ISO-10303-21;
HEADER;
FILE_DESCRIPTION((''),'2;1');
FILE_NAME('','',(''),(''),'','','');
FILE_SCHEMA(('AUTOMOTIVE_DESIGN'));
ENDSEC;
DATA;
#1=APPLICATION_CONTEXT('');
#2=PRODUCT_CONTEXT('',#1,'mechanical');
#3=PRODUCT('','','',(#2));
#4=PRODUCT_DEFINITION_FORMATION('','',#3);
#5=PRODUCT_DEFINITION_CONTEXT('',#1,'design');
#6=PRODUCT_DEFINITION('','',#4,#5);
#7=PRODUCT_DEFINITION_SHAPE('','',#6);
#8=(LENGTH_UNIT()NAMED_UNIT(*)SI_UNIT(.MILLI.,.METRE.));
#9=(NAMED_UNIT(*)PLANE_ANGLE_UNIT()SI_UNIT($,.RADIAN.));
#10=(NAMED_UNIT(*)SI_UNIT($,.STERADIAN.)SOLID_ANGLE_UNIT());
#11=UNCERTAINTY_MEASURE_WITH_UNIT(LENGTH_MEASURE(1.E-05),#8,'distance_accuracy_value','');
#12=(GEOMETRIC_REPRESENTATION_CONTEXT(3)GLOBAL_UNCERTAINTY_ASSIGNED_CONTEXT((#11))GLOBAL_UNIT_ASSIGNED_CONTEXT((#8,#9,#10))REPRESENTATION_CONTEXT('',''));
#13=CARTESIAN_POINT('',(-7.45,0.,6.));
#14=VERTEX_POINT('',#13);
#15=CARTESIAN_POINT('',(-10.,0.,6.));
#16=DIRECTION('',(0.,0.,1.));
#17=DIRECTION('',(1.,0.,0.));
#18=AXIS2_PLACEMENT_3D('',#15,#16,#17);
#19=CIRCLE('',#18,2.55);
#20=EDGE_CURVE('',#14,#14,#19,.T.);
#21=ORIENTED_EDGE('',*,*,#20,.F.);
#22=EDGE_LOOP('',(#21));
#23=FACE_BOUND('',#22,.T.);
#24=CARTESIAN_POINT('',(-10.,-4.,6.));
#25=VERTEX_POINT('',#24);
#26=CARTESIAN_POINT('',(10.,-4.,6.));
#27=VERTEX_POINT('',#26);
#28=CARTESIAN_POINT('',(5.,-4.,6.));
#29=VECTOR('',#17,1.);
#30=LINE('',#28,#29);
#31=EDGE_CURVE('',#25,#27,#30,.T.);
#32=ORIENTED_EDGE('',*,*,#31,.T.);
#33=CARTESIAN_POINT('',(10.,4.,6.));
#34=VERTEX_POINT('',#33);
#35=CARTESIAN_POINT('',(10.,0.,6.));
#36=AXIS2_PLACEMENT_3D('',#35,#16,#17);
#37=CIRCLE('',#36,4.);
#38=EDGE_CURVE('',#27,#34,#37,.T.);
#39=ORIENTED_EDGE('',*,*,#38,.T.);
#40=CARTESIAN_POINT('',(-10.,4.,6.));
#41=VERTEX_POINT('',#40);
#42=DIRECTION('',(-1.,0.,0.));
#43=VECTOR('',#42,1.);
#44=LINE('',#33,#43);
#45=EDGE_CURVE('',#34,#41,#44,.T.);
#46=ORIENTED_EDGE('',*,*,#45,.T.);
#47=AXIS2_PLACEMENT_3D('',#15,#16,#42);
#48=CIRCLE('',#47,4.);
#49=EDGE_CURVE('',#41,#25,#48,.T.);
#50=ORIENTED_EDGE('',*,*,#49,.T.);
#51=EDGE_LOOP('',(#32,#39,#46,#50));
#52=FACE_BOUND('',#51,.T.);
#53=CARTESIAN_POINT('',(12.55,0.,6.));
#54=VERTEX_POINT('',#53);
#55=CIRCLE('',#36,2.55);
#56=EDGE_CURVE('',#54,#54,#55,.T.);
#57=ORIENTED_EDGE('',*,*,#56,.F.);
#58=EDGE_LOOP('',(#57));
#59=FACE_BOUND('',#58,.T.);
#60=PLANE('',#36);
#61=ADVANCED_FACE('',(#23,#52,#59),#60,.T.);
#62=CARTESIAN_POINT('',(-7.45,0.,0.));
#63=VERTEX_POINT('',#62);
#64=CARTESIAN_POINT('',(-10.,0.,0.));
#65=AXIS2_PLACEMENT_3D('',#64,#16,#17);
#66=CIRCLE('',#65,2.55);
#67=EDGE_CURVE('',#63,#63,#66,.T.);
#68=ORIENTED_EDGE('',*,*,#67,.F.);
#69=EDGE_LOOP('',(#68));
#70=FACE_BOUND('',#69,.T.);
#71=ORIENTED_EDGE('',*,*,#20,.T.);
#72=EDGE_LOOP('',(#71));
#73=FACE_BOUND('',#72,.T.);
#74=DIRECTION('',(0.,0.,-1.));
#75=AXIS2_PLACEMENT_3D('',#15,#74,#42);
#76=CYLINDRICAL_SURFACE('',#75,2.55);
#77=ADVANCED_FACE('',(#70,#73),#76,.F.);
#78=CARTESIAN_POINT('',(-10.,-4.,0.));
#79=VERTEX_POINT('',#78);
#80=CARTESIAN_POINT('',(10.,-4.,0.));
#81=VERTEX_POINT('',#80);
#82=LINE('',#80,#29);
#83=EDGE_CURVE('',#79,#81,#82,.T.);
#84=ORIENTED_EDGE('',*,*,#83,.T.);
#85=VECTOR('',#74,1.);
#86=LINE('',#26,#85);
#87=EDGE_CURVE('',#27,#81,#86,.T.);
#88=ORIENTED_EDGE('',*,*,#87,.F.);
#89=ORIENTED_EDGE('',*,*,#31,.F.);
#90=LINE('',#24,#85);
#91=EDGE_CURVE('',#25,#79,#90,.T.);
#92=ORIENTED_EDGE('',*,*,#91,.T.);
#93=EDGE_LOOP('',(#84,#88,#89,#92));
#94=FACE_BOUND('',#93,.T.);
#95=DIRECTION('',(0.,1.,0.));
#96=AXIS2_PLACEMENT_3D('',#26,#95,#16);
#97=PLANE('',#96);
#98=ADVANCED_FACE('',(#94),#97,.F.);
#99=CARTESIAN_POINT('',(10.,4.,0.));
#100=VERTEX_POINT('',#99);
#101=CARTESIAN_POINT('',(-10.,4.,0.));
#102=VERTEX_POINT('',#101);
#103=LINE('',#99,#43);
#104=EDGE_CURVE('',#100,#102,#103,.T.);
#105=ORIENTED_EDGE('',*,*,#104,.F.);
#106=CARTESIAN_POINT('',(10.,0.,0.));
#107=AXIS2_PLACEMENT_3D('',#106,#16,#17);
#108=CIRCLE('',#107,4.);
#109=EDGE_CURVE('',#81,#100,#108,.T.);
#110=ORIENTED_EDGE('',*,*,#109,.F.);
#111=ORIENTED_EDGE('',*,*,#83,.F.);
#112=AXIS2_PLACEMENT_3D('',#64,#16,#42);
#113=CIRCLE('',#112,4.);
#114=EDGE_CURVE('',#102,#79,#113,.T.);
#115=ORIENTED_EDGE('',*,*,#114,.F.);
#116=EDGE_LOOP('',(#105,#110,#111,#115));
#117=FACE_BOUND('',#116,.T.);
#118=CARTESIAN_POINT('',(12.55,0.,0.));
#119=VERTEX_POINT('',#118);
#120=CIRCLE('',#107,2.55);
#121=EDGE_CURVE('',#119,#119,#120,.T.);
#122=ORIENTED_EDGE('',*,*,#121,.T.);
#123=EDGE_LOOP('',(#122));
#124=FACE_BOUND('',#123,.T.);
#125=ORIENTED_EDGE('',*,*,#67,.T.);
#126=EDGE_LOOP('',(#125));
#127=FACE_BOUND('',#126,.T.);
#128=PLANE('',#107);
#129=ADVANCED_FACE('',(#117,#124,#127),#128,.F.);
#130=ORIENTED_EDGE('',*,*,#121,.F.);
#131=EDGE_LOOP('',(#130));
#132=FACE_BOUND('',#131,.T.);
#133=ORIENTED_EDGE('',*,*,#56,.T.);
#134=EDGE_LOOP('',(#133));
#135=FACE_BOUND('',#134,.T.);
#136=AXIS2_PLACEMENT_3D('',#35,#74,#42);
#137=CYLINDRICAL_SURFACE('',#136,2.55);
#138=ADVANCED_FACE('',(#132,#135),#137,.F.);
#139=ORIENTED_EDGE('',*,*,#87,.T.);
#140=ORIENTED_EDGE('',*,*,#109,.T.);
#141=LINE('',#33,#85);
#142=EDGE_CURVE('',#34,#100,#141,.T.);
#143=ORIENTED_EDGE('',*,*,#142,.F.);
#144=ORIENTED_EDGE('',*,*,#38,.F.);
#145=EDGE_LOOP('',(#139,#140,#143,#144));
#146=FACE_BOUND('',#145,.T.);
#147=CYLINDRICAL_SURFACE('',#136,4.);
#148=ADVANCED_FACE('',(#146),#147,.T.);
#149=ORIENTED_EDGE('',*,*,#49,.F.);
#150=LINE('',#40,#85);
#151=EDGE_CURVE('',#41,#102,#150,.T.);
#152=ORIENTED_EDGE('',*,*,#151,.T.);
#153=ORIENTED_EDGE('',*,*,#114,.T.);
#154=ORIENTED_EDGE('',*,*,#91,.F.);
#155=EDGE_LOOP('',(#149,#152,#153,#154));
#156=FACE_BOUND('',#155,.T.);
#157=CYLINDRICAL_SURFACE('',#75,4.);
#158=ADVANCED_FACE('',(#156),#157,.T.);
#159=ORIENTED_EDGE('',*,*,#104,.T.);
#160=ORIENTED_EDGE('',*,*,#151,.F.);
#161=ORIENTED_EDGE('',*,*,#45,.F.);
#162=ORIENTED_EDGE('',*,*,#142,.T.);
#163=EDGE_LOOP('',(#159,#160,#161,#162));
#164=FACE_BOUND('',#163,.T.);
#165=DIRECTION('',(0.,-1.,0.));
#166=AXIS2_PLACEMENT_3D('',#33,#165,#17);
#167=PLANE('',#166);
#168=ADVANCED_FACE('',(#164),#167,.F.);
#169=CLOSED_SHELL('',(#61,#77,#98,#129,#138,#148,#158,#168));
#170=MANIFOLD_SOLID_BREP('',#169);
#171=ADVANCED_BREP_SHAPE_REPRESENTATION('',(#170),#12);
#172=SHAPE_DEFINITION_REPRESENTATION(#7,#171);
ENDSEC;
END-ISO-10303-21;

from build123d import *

# Parameters (mm, degrees)
SKETCH_1_R      = 2.55
EXTRUDE_1_DEPTH = 6


with BuildPart() as part:
    # Эскиз1 → Бобышка-Вытянуть1 (new body)
    with BuildSketch(Plane.XY):
        with BuildLine():
            Line((10, -4), (5, -4))
            Line((5, -4), (-10, -4))
            ThreePointArc((-10, -4), (-14, 0), (-10, 4))
            Line((-10, 4), (10, 4))
            ThreePointArc((10, 4), (14, 0), (10, -4))
        make_face()
        with Locations((10, 0)):
            Circle(SKETCH_1_R, mode=Mode.SUBTRACT)
        with Locations((-10, 0)):
            Circle(SKETCH_1_R, mode=Mode.SUBTRACT)
    extrude(amount=EXTRUDE_1_DEPTH)


solid = part.part
